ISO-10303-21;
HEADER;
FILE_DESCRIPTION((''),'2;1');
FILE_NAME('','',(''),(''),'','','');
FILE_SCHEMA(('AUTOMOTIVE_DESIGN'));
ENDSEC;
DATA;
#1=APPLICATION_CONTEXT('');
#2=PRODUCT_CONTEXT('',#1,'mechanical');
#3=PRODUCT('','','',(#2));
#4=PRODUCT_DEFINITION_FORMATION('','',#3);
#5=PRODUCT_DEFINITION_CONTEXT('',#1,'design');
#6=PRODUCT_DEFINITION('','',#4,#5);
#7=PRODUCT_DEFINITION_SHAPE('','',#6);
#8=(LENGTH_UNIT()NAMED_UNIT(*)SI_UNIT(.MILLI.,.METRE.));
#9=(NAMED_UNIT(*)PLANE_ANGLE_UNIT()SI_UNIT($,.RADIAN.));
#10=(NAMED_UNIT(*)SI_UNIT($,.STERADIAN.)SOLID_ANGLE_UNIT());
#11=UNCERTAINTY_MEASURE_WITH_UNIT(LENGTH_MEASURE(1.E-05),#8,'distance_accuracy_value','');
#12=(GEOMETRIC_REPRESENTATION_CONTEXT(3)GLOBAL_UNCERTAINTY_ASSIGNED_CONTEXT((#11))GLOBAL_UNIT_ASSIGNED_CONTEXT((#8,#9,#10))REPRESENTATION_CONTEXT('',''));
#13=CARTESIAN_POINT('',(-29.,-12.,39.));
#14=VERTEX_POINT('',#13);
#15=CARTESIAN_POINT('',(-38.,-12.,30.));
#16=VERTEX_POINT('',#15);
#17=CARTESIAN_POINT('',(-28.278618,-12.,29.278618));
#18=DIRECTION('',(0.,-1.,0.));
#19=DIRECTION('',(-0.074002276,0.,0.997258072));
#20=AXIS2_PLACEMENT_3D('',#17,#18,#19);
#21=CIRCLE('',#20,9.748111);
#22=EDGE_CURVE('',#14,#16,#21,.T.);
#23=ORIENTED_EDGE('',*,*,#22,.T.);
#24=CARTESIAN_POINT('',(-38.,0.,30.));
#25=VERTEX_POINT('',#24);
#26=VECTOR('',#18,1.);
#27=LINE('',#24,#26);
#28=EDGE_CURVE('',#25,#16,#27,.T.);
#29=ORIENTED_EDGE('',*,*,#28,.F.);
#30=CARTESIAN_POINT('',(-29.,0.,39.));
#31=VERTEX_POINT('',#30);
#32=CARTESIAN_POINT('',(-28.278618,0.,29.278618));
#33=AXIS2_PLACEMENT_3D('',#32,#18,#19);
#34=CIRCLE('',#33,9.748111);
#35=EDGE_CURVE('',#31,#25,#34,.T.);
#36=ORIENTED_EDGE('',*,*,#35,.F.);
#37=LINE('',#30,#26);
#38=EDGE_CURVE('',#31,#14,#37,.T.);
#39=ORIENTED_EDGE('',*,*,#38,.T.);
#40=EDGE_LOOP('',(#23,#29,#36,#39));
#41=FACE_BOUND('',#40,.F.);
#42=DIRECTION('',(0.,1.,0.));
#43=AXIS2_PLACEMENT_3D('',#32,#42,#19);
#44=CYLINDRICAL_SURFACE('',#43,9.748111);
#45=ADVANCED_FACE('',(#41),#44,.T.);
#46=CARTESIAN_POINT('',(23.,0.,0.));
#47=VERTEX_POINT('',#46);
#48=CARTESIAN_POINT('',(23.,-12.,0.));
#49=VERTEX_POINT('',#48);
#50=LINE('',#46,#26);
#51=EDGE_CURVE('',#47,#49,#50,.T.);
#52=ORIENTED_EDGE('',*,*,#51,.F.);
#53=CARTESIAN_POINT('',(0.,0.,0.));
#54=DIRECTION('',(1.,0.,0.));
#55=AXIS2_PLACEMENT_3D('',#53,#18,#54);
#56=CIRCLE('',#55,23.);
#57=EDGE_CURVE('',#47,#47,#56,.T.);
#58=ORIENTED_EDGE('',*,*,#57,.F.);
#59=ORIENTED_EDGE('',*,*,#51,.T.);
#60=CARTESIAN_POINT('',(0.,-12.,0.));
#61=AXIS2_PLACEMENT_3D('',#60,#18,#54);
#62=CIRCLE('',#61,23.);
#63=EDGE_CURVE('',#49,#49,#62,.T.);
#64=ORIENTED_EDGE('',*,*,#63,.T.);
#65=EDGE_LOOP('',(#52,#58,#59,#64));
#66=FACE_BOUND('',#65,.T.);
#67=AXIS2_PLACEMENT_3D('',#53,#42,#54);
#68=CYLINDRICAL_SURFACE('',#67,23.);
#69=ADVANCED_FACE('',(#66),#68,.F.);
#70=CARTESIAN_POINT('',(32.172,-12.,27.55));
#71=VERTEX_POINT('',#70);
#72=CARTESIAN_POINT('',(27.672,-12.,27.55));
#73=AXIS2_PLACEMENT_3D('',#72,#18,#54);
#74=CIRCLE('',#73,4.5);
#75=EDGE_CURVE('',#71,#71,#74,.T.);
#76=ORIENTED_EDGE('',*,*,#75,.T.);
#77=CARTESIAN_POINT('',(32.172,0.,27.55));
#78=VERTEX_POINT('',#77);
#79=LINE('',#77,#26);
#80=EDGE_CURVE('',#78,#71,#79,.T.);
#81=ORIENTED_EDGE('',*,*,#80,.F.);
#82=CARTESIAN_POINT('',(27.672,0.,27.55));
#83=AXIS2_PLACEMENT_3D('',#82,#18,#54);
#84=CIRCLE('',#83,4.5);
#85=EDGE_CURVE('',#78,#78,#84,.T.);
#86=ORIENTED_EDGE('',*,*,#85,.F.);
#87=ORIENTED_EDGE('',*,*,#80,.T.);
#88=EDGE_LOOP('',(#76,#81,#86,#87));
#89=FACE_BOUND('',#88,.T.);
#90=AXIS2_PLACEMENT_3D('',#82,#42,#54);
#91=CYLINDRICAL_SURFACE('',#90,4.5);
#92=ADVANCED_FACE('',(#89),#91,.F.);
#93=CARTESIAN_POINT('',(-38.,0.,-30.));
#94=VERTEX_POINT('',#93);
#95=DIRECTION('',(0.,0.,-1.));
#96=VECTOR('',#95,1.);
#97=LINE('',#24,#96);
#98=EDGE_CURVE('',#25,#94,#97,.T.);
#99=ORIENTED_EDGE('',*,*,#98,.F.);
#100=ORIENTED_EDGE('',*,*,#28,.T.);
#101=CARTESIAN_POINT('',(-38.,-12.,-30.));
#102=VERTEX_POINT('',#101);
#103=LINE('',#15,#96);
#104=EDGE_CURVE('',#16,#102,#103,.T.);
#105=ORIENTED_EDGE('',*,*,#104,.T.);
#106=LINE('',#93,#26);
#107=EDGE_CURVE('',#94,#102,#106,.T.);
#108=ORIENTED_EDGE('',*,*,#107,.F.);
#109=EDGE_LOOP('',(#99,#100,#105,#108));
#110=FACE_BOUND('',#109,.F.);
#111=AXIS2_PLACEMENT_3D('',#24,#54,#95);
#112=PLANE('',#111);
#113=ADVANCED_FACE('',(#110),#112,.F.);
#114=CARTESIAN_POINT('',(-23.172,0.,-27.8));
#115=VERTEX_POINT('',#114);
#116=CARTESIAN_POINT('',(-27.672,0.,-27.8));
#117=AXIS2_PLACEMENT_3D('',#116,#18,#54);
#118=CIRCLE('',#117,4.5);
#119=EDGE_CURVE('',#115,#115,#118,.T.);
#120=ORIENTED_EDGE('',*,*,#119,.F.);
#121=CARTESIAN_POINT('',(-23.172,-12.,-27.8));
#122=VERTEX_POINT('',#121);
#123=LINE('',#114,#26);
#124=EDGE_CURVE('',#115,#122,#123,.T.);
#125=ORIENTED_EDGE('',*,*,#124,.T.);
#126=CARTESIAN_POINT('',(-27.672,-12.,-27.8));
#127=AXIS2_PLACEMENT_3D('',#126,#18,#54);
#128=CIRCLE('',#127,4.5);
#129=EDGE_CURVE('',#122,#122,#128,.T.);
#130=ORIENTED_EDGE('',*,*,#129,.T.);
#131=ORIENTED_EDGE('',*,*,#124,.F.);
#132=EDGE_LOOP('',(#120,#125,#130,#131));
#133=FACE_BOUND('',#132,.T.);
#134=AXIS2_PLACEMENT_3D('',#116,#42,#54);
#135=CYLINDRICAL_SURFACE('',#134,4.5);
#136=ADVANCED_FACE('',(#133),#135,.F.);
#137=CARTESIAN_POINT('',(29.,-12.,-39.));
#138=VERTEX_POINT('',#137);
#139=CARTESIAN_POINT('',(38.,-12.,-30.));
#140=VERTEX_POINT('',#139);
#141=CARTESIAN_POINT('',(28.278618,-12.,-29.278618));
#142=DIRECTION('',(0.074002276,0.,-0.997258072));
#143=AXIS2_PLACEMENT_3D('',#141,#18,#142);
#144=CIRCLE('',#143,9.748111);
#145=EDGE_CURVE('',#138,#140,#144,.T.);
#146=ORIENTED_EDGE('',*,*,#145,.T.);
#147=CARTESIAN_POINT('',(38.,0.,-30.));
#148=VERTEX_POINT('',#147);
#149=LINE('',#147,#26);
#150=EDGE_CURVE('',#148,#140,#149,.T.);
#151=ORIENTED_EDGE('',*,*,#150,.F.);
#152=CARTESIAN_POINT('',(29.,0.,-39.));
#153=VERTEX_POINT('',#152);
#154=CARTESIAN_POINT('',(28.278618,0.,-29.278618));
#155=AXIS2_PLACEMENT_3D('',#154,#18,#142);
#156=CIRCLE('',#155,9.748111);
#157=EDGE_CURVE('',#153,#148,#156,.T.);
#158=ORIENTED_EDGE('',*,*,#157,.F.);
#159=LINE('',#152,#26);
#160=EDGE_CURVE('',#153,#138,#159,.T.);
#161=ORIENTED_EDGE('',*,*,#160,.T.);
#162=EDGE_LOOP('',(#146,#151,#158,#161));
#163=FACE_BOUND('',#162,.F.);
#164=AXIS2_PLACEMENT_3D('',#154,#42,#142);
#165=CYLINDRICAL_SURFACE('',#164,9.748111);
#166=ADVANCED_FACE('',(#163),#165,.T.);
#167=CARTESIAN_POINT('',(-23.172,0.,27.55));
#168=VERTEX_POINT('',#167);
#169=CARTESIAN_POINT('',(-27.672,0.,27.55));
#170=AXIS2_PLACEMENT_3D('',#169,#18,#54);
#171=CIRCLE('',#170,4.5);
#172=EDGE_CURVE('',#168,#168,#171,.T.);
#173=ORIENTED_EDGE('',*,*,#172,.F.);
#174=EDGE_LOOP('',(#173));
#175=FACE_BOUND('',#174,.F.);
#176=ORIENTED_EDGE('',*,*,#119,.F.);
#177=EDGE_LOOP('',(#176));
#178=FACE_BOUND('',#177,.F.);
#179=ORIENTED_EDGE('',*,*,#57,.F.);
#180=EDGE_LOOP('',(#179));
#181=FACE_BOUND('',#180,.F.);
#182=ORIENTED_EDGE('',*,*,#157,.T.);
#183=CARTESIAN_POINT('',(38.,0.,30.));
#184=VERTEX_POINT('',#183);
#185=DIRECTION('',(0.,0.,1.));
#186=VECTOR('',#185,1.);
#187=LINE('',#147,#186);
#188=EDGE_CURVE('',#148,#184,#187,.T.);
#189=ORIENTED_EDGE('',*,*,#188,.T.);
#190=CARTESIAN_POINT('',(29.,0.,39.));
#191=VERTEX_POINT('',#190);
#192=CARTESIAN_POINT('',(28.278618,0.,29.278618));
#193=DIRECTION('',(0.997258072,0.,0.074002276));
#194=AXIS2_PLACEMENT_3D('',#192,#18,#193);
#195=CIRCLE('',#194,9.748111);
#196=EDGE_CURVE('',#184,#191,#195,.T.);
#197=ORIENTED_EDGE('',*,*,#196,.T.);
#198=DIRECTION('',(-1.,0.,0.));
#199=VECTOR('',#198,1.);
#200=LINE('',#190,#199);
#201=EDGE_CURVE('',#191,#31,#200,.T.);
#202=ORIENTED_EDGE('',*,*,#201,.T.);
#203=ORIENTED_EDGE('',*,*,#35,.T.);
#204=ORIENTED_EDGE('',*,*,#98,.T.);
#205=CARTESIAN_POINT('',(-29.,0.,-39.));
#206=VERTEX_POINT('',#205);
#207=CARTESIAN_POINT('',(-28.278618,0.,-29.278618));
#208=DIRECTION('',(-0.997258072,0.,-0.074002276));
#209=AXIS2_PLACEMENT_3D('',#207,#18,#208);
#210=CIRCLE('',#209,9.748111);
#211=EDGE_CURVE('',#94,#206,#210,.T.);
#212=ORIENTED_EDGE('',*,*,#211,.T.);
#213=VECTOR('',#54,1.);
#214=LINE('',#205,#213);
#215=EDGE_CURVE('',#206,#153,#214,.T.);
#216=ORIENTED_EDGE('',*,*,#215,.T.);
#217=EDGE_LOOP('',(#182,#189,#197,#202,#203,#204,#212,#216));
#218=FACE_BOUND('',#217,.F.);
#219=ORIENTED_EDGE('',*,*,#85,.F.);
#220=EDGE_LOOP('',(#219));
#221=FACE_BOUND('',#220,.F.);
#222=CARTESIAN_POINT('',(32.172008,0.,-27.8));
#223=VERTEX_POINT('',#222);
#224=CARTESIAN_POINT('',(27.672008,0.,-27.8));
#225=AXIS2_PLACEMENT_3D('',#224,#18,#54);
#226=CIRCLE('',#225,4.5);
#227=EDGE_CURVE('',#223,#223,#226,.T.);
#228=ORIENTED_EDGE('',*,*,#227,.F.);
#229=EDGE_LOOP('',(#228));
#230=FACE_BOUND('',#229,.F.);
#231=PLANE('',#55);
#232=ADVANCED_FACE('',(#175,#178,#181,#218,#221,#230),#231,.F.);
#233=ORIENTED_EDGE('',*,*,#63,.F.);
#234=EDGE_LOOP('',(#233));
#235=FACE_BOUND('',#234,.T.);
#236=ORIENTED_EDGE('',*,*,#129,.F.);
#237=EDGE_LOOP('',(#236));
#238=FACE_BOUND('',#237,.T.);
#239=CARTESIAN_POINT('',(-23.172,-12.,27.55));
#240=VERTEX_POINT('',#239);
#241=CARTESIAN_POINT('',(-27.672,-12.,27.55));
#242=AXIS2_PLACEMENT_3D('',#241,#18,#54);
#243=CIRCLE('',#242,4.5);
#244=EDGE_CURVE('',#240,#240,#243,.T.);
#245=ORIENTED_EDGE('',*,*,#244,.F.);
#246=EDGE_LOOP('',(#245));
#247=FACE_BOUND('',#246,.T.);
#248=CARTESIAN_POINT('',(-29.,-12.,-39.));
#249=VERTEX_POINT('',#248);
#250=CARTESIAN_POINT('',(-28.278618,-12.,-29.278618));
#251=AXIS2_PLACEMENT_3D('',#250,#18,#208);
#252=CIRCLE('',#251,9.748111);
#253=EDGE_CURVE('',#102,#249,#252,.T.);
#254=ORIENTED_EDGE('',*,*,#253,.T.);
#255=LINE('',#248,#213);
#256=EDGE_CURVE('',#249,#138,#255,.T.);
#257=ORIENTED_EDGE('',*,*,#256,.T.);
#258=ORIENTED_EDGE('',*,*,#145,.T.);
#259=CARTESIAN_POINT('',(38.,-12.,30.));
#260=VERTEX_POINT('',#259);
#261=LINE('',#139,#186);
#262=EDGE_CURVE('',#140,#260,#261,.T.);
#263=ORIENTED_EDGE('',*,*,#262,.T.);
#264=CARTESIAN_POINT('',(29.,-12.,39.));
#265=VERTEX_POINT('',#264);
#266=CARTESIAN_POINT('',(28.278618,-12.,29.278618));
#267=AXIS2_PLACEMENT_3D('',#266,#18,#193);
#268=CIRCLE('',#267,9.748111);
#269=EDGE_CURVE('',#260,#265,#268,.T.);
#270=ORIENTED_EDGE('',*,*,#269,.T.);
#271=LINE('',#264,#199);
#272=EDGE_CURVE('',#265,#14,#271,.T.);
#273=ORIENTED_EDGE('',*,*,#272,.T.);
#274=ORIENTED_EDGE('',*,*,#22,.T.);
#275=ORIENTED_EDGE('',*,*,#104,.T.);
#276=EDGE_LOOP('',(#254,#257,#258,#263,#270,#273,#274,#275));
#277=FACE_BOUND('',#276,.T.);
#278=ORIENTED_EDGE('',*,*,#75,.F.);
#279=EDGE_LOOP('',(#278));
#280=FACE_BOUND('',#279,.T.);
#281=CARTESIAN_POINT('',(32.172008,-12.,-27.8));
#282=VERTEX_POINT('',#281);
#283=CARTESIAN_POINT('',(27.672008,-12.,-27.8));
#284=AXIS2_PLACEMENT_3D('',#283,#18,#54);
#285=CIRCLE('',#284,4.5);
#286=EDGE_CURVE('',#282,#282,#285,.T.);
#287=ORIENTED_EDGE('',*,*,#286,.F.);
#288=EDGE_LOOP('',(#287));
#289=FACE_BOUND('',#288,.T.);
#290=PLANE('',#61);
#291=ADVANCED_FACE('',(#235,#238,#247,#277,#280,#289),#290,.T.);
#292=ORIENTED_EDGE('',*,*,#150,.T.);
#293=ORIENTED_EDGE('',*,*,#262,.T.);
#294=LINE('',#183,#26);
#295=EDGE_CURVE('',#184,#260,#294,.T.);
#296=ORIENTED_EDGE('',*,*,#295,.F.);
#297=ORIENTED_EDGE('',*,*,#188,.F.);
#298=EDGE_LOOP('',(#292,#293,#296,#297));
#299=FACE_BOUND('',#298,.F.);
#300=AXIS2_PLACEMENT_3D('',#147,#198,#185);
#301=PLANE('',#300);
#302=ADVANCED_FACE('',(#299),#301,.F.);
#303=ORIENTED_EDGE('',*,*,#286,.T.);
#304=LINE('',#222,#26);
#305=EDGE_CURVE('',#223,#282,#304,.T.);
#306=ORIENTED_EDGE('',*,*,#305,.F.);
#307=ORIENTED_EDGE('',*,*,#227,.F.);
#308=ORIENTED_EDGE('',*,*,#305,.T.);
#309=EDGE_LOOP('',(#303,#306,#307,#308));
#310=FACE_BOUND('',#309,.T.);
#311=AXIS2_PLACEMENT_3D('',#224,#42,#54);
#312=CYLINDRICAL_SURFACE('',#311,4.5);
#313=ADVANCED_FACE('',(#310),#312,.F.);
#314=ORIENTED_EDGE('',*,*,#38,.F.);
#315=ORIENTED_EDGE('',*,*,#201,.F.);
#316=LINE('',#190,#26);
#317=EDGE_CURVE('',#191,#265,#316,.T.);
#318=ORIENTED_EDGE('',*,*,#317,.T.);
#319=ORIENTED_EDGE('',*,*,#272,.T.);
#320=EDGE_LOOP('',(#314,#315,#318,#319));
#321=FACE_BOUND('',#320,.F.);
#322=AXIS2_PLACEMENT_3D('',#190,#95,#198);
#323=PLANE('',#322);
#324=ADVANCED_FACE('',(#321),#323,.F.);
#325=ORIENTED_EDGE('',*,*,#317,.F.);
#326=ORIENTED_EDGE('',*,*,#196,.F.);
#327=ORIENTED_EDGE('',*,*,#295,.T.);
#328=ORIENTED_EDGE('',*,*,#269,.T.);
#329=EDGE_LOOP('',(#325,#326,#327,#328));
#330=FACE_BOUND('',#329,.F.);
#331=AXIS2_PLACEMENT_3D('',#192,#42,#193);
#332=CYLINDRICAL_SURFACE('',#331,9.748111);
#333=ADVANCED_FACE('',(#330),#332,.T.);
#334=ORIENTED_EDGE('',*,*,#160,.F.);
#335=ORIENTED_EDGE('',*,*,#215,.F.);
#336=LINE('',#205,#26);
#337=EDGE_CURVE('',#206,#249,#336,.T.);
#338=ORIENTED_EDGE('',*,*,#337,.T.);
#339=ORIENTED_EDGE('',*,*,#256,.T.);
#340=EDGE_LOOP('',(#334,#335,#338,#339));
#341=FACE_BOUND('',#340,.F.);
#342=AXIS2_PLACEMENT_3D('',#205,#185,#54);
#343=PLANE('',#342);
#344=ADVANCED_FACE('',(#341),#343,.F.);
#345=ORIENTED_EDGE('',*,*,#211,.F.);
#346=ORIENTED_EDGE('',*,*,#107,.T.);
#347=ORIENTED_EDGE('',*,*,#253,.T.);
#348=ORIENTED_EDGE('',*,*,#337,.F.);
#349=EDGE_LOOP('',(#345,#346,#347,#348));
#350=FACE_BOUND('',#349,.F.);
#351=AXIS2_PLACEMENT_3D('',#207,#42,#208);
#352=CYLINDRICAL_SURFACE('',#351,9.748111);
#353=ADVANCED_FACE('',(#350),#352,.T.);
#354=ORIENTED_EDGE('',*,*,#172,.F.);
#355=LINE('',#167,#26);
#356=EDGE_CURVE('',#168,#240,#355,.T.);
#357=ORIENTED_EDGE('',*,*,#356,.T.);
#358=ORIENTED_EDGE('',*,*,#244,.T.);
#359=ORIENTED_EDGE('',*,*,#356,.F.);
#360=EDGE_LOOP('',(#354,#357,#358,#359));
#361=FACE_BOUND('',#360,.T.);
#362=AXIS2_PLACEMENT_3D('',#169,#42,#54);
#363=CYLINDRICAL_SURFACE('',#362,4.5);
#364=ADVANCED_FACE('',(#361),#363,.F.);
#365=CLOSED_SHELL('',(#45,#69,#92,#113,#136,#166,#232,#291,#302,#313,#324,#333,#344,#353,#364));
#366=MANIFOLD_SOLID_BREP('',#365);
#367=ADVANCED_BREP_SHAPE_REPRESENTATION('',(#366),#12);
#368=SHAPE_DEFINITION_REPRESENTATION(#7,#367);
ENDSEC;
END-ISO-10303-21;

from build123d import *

# Parameters (mm, degrees)
F0_R     = 4.5
F0_R_2   = 23
F1_DEPTH = 12


with BuildPart() as f1:
    # F0 (on Front) → F1 (new body)
    with BuildSketch(Plane.XZ):
        with BuildLine():
            ThreePointArc((38, 30), (35.171573, 36.171573), (29, 39))
            Line((29, 39), (-29, 39))
            ThreePointArc((-29, 39), (-35.171573, 36.171573), (-38, 30))
            Line((-38, 30), (-38, -30))
            ThreePointArc((-38, -30), (-35.171573, -36.171573), (-29, -39))
            Line((-29, -39), (29, -39))
            ThreePointArc((29, -39), (35.171573, -36.171573), (38, -30))
            Line((38, -30), (38, 30))
        make_face()
        with Locations((-27.672, -27.8)):
            Circle(F0_R, mode=Mode.SUBTRACT)
        with Locations((27.672008, -27.8)):
            Circle(F0_R, mode=Mode.SUBTRACT)
        with Locations((-27.672, 27.55)):
            Circle(F0_R, mode=Mode.SUBTRACT)
        Circle(F0_R_2, mode=Mode.SUBTRACT)
        with Locations((27.672, 27.55)):
            Circle(F0_R, mode=Mode.SUBTRACT)
    extrude(amount=F1_DEPTH)


solid = f1.part
